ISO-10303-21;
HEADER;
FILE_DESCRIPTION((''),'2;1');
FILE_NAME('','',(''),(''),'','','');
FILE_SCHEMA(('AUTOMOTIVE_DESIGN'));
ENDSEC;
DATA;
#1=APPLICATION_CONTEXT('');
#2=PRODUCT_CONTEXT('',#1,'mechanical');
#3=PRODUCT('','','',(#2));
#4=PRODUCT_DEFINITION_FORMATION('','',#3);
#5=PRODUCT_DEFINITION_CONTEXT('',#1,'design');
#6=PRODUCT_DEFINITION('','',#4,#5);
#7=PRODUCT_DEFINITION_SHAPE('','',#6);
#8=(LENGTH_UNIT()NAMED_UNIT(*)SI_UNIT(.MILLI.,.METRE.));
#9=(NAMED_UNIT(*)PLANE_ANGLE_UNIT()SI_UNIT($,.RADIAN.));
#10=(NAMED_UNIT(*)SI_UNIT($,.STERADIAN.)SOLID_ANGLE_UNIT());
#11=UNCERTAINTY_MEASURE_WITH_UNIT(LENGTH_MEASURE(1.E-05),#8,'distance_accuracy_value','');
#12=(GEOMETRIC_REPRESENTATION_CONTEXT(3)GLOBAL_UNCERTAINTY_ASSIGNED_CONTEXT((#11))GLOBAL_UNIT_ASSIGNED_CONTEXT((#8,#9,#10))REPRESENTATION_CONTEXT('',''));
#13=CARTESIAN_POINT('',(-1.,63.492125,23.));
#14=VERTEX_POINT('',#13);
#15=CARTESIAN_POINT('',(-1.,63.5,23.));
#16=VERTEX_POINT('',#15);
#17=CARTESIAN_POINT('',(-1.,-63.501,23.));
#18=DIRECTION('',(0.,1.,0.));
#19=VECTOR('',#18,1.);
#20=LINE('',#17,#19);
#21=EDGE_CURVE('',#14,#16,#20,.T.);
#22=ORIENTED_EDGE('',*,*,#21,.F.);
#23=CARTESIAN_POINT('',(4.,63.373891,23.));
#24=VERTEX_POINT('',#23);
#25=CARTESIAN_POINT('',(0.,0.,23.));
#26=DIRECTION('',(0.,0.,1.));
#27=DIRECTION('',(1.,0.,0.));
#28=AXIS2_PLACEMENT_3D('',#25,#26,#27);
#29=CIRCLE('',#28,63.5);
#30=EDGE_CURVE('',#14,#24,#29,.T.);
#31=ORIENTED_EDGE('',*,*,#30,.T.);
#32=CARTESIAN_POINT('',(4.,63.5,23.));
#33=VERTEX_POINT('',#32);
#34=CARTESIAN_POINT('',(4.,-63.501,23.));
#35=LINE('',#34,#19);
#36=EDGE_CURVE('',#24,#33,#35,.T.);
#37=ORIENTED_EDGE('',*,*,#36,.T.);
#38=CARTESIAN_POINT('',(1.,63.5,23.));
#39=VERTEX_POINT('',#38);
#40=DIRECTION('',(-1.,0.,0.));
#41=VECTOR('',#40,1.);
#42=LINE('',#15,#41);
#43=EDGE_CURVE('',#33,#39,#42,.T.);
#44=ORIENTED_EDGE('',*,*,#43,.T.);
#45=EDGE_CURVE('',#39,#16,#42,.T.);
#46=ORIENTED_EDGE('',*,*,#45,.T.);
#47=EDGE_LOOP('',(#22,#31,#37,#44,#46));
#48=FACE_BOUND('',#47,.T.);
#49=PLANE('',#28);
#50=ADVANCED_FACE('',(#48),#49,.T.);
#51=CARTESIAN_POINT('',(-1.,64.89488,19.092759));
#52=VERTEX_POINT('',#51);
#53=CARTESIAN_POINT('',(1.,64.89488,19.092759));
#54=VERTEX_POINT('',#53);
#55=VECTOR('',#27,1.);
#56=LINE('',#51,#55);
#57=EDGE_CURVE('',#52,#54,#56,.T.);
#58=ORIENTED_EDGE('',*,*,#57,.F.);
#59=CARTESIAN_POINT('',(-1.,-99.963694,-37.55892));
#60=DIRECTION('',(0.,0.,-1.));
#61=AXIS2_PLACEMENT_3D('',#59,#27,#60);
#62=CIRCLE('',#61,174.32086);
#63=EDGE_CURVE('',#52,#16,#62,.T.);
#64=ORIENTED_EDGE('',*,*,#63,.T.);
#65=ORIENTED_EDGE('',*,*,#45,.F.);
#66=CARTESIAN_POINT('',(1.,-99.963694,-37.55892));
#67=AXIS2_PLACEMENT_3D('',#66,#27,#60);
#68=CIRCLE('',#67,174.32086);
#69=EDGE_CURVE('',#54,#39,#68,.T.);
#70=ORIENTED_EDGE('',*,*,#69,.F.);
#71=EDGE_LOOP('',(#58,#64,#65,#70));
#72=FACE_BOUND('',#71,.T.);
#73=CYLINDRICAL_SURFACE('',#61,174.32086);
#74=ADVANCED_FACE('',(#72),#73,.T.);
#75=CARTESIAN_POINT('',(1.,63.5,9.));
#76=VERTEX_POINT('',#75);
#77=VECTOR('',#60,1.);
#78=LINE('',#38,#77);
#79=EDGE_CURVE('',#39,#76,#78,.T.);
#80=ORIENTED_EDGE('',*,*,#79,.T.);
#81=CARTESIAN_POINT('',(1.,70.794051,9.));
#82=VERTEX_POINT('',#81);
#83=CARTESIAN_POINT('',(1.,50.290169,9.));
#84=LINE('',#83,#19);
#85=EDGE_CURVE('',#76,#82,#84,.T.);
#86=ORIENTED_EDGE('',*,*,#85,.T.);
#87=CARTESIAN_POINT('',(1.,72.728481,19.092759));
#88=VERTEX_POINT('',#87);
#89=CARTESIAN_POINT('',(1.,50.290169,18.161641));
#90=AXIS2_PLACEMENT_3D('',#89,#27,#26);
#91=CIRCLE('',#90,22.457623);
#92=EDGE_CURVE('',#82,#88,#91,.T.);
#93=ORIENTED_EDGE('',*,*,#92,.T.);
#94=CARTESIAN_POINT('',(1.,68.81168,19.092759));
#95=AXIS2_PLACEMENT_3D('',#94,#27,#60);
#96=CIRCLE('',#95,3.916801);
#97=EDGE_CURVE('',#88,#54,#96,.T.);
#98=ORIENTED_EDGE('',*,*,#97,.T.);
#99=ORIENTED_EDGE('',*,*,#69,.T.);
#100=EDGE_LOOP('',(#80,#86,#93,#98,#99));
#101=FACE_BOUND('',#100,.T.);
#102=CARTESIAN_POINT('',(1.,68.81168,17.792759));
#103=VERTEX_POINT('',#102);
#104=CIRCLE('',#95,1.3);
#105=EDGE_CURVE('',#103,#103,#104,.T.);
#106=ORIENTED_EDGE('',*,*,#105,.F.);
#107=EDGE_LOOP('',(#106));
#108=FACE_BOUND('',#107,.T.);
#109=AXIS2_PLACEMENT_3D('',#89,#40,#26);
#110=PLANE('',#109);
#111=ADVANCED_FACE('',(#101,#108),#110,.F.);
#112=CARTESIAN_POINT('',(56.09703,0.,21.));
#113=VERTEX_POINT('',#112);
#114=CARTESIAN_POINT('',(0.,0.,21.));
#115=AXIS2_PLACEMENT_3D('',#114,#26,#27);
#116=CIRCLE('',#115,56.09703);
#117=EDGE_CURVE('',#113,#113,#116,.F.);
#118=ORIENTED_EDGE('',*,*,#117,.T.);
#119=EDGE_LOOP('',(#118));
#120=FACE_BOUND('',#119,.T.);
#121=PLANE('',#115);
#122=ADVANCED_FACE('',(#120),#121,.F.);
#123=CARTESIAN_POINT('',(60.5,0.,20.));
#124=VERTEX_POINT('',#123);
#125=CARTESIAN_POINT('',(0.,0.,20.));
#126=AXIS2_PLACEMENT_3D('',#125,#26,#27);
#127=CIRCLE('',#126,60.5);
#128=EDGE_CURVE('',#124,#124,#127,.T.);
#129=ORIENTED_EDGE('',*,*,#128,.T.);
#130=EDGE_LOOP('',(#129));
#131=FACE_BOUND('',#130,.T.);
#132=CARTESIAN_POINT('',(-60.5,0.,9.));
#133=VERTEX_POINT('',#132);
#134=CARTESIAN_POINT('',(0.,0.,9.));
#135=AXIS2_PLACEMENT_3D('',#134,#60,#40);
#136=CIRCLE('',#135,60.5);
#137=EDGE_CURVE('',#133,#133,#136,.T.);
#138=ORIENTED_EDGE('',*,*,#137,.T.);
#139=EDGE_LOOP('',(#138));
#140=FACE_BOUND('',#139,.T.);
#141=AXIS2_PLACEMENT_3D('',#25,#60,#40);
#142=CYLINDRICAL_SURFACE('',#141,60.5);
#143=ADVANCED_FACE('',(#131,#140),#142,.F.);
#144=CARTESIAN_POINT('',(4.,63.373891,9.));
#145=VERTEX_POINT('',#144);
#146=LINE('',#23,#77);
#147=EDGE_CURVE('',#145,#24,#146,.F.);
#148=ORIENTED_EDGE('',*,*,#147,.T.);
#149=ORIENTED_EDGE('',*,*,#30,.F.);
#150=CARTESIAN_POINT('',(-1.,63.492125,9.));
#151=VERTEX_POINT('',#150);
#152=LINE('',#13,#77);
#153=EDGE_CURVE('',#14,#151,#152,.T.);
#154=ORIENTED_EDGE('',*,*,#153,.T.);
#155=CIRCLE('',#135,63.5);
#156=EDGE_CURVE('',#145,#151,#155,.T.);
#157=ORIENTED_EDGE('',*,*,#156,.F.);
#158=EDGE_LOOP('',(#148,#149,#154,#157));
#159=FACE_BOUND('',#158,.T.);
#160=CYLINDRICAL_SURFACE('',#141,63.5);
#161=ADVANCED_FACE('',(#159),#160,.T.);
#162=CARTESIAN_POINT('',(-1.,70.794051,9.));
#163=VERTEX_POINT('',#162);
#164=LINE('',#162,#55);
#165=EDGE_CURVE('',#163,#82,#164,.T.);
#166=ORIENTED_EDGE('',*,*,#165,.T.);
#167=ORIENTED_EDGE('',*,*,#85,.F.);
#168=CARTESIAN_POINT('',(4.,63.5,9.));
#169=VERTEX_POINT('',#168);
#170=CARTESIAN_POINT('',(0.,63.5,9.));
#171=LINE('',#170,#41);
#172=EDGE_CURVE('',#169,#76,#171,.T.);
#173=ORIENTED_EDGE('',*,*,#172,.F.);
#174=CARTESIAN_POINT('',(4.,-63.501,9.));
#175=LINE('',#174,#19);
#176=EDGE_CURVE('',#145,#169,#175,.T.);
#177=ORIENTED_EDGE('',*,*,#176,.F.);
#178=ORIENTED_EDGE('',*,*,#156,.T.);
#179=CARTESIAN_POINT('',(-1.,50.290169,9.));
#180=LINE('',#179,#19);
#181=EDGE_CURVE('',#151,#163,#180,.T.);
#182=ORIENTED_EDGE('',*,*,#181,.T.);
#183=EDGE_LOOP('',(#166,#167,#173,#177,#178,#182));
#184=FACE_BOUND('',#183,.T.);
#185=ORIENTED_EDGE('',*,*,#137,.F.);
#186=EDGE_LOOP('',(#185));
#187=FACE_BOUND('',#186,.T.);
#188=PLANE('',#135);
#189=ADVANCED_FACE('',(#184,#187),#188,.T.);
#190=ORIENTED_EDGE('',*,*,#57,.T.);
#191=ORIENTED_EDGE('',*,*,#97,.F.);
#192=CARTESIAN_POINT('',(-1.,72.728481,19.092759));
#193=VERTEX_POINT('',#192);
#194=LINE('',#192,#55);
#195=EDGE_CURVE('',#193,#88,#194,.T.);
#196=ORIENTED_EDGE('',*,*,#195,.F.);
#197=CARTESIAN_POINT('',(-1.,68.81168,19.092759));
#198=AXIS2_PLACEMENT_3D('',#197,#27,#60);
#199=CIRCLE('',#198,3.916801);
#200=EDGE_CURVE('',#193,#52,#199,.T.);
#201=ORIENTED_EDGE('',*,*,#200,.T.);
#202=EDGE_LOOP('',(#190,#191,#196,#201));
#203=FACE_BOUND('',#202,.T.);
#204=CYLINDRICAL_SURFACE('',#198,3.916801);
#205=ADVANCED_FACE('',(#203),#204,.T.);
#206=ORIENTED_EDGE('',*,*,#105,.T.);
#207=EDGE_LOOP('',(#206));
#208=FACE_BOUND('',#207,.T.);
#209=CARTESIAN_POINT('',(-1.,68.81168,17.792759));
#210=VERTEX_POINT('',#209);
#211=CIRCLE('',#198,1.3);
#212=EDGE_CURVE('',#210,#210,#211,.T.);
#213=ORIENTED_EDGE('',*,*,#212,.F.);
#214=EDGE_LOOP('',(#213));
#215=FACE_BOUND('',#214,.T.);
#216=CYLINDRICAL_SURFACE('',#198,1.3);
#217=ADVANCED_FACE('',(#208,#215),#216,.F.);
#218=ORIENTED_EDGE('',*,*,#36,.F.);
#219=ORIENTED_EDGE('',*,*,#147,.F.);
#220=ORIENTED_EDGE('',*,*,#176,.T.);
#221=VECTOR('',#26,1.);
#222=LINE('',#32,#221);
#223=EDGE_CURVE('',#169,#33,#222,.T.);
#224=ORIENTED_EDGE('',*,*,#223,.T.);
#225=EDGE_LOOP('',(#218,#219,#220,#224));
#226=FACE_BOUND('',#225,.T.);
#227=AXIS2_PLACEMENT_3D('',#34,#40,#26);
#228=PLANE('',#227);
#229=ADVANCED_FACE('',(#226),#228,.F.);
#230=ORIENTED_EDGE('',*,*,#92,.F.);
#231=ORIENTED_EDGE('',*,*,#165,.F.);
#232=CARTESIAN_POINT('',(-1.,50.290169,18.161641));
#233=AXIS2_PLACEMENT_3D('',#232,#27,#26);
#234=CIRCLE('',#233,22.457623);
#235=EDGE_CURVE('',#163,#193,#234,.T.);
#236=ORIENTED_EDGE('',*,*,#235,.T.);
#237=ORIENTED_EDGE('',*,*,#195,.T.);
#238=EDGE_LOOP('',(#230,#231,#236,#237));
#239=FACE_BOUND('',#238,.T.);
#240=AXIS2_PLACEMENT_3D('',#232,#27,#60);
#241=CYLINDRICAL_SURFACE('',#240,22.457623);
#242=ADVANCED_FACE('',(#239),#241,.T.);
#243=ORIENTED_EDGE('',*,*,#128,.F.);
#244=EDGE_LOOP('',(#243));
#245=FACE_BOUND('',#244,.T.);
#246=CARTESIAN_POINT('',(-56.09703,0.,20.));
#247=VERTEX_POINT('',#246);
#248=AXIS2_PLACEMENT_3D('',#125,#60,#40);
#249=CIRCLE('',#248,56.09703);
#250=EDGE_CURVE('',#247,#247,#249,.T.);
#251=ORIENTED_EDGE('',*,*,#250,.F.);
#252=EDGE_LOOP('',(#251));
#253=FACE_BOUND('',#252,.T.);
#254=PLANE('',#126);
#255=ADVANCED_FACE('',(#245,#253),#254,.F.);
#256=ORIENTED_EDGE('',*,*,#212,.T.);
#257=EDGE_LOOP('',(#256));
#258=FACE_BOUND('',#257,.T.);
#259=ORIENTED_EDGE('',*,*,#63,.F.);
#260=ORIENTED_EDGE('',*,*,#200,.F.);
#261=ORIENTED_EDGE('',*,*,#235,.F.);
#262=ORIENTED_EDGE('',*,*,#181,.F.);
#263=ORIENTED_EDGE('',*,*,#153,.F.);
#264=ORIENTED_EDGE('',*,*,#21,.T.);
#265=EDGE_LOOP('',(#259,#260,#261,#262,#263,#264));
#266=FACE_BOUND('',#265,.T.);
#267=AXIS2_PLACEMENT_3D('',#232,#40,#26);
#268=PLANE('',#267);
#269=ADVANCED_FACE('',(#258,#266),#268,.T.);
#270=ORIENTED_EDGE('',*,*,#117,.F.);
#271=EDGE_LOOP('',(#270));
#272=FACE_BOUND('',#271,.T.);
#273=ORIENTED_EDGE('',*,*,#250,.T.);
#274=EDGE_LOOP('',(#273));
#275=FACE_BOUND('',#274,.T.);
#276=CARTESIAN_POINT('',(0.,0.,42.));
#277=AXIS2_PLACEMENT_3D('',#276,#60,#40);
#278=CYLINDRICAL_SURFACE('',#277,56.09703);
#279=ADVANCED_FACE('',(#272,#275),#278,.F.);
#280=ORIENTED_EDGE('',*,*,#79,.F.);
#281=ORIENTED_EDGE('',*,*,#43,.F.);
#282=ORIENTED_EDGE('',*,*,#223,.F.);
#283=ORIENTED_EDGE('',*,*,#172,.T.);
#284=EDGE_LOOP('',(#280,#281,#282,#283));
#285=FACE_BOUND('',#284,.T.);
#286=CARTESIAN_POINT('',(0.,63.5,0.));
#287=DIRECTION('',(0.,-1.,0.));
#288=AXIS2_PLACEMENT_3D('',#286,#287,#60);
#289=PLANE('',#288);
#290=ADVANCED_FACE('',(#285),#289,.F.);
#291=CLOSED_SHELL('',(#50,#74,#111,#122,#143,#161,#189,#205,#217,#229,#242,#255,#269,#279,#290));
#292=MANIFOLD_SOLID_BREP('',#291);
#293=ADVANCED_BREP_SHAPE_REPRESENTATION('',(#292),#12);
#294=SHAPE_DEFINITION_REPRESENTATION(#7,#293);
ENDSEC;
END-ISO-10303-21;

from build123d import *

# Parameters (mm, degrees)
SKETCH1_R                = 63.5
BOSS_EXTRUDE2_DEPTH      = 23
SHELL4_T                 = -3
SKETCH4_R                = 56.09702957
CUT_EXTRUDE1_DEPTH       = 22
BOSS_EXTRUDE6_DEPTH      = 1
BOSS_EXTRUDE6_DEPTH_BACK = 1
SKETCH8_R                = 1.3
BOSS_EXTRUDE7_REACH      = 145.843
BOSS_EXTRUDE7_END_RADIUS = 63.5
SKETCH9_W                = 5
SKETCH9_H                = 23
SKETCH11_R               = 63.5
CUT_EXTRUDE2_DEPTH       = 9
SKETCH12_W               = 19.480164653
SKETCH12_H               = 12.222333769
CUT_EXTRUDE3_DEPTH       = 13
BOSS_EXTRUDE8_START      = -2
SKETCH13_R               = 63.5
BOSS_EXTRUDE8_DEPTH      = 2


with BuildPart() as part:
    # Sketch1 → Boss-Extrude2 (new body)
    with BuildSketch(Plane.XY):
        Circle(SKETCH1_R)
    extrude(amount=BOSS_EXTRUDE2_DEPTH)

    # Shell4
    shell4_openings = [part.faces().sort_by_distance(p)[0] for p in [
        (0, 0, 0),
    ]]
    offset(amount=SHELL4_T, openings=shell4_openings, kind=Kind.INTERSECTION)

    # Sketch4 → Cut-Extrude1 (cut)
    with BuildSketch(Plane(origin=(0, 0, 20), x_dir=(-1, 0, 0), z_dir=(0, 0, -1))):
        Circle(SKETCH4_R)
    extrude(amount=-CUT_EXTRUDE1_DEPTH, mode=Mode.SUBTRACT)



with BuildPart() as body_2:
    # Sketch8 → Boss-Extrude6 (new, two sides: drawn at the far end of the back side and taken through both)
    with BuildSketch(Plane(origin=(0, 0, 0), x_dir=(0, 0, -1), z_dir=(1, 0, 0)).offset(-BOSS_EXTRUDE6_DEPTH_BACK)):
        with BuildLine():
            Line((-23, 63.5), (0, 63.5))
            ThreePointArc((0, 63.5), (-8.388517362, 70.509736152), (-19.092759253, 72.728481295))
            ThreePointArc((-19.092759253, 72.728481295), (-23.009560108, 68.811680441), (-19.092759253, 64.894879586))
            ThreePointArc((-19.092759253, 64.894879586), (-21.050529465, 64.209064035), (-23, 63.5))
        make_face()
        with Locations((-19.092759253, 68.811680441)):
            Circle(SKETCH8_R, mode=Mode.SUBTRACT)
    extrude(amount=BOSS_EXTRUDE6_DEPTH + BOSS_EXTRUDE6_DEPTH_BACK)


with BuildPart() as part_1:
    add(part.part)

    add(body_2.part)  # Boss-Extrude7 merges body 2
    # Boss-Extrude7: up to this cylinder (the profile starts outside it)
    boss_extrude7_end = Plane(origin=(0, 0, 11.5), z_dir=(0, 0, -1)) * Cylinder(BOSS_EXTRUDE7_END_RADIUS, 419.686, mode=Mode.PRIVATE)
    # Sketch9 → Boss-Extrude7 (add, up to the surface)
    with BuildSketch(Plane.XZ.offset(-63.5), mode=Mode.PRIVATE) as boss_extrude7_sk1:
        with Locations((1.5, 11.5)):
            Rectangle(SKETCH9_W, SKETCH9_H)
    boss_extrude7_tool1 = extrude(boss_extrude7_sk1.sketch, amount=BOSS_EXTRUDE7_REACH, mode=Mode.PRIVATE) - boss_extrude7_end
    add(boss_extrude7_tool1.solids().sort_by_distance((1.5, 63.5, 11.5))[0])
    add(boss_extrude7_tool1.solids().sort_by_distance((1.5, 63.5, 11.5))[1])

    # Sketch11 → Cut-Extrude2 (cut)
    with BuildSketch(Plane(origin=(0, 0, 0), x_dir=(-1, 0, 0), z_dir=(0, 0, -1))):
        Circle(SKETCH11_R)
    extrude(amount=-CUT_EXTRUDE2_DEPTH, mode=Mode.SUBTRACT)

    # Sketch12 → Cut-Extrude3 (cut)
    with BuildSketch(Plane(origin=(0, 0, 9), x_dir=(-1, 0, 0), z_dir=(0, 0, -1))):
        with Locations((1.337314283, 69.052754799)):
            Rectangle(SKETCH12_W, SKETCH12_H)
    extrude(amount=CUT_EXTRUDE3_DEPTH, mode=Mode.SUBTRACT)

    # Sketch13 → Boss-Extrude8 (add)
    with BuildSketch(Plane.XY.offset(23).offset(BOSS_EXTRUDE8_START)):
        Circle(SKETCH13_R)
    extrude(amount=BOSS_EXTRUDE8_DEPTH)


solid = part_1.part
